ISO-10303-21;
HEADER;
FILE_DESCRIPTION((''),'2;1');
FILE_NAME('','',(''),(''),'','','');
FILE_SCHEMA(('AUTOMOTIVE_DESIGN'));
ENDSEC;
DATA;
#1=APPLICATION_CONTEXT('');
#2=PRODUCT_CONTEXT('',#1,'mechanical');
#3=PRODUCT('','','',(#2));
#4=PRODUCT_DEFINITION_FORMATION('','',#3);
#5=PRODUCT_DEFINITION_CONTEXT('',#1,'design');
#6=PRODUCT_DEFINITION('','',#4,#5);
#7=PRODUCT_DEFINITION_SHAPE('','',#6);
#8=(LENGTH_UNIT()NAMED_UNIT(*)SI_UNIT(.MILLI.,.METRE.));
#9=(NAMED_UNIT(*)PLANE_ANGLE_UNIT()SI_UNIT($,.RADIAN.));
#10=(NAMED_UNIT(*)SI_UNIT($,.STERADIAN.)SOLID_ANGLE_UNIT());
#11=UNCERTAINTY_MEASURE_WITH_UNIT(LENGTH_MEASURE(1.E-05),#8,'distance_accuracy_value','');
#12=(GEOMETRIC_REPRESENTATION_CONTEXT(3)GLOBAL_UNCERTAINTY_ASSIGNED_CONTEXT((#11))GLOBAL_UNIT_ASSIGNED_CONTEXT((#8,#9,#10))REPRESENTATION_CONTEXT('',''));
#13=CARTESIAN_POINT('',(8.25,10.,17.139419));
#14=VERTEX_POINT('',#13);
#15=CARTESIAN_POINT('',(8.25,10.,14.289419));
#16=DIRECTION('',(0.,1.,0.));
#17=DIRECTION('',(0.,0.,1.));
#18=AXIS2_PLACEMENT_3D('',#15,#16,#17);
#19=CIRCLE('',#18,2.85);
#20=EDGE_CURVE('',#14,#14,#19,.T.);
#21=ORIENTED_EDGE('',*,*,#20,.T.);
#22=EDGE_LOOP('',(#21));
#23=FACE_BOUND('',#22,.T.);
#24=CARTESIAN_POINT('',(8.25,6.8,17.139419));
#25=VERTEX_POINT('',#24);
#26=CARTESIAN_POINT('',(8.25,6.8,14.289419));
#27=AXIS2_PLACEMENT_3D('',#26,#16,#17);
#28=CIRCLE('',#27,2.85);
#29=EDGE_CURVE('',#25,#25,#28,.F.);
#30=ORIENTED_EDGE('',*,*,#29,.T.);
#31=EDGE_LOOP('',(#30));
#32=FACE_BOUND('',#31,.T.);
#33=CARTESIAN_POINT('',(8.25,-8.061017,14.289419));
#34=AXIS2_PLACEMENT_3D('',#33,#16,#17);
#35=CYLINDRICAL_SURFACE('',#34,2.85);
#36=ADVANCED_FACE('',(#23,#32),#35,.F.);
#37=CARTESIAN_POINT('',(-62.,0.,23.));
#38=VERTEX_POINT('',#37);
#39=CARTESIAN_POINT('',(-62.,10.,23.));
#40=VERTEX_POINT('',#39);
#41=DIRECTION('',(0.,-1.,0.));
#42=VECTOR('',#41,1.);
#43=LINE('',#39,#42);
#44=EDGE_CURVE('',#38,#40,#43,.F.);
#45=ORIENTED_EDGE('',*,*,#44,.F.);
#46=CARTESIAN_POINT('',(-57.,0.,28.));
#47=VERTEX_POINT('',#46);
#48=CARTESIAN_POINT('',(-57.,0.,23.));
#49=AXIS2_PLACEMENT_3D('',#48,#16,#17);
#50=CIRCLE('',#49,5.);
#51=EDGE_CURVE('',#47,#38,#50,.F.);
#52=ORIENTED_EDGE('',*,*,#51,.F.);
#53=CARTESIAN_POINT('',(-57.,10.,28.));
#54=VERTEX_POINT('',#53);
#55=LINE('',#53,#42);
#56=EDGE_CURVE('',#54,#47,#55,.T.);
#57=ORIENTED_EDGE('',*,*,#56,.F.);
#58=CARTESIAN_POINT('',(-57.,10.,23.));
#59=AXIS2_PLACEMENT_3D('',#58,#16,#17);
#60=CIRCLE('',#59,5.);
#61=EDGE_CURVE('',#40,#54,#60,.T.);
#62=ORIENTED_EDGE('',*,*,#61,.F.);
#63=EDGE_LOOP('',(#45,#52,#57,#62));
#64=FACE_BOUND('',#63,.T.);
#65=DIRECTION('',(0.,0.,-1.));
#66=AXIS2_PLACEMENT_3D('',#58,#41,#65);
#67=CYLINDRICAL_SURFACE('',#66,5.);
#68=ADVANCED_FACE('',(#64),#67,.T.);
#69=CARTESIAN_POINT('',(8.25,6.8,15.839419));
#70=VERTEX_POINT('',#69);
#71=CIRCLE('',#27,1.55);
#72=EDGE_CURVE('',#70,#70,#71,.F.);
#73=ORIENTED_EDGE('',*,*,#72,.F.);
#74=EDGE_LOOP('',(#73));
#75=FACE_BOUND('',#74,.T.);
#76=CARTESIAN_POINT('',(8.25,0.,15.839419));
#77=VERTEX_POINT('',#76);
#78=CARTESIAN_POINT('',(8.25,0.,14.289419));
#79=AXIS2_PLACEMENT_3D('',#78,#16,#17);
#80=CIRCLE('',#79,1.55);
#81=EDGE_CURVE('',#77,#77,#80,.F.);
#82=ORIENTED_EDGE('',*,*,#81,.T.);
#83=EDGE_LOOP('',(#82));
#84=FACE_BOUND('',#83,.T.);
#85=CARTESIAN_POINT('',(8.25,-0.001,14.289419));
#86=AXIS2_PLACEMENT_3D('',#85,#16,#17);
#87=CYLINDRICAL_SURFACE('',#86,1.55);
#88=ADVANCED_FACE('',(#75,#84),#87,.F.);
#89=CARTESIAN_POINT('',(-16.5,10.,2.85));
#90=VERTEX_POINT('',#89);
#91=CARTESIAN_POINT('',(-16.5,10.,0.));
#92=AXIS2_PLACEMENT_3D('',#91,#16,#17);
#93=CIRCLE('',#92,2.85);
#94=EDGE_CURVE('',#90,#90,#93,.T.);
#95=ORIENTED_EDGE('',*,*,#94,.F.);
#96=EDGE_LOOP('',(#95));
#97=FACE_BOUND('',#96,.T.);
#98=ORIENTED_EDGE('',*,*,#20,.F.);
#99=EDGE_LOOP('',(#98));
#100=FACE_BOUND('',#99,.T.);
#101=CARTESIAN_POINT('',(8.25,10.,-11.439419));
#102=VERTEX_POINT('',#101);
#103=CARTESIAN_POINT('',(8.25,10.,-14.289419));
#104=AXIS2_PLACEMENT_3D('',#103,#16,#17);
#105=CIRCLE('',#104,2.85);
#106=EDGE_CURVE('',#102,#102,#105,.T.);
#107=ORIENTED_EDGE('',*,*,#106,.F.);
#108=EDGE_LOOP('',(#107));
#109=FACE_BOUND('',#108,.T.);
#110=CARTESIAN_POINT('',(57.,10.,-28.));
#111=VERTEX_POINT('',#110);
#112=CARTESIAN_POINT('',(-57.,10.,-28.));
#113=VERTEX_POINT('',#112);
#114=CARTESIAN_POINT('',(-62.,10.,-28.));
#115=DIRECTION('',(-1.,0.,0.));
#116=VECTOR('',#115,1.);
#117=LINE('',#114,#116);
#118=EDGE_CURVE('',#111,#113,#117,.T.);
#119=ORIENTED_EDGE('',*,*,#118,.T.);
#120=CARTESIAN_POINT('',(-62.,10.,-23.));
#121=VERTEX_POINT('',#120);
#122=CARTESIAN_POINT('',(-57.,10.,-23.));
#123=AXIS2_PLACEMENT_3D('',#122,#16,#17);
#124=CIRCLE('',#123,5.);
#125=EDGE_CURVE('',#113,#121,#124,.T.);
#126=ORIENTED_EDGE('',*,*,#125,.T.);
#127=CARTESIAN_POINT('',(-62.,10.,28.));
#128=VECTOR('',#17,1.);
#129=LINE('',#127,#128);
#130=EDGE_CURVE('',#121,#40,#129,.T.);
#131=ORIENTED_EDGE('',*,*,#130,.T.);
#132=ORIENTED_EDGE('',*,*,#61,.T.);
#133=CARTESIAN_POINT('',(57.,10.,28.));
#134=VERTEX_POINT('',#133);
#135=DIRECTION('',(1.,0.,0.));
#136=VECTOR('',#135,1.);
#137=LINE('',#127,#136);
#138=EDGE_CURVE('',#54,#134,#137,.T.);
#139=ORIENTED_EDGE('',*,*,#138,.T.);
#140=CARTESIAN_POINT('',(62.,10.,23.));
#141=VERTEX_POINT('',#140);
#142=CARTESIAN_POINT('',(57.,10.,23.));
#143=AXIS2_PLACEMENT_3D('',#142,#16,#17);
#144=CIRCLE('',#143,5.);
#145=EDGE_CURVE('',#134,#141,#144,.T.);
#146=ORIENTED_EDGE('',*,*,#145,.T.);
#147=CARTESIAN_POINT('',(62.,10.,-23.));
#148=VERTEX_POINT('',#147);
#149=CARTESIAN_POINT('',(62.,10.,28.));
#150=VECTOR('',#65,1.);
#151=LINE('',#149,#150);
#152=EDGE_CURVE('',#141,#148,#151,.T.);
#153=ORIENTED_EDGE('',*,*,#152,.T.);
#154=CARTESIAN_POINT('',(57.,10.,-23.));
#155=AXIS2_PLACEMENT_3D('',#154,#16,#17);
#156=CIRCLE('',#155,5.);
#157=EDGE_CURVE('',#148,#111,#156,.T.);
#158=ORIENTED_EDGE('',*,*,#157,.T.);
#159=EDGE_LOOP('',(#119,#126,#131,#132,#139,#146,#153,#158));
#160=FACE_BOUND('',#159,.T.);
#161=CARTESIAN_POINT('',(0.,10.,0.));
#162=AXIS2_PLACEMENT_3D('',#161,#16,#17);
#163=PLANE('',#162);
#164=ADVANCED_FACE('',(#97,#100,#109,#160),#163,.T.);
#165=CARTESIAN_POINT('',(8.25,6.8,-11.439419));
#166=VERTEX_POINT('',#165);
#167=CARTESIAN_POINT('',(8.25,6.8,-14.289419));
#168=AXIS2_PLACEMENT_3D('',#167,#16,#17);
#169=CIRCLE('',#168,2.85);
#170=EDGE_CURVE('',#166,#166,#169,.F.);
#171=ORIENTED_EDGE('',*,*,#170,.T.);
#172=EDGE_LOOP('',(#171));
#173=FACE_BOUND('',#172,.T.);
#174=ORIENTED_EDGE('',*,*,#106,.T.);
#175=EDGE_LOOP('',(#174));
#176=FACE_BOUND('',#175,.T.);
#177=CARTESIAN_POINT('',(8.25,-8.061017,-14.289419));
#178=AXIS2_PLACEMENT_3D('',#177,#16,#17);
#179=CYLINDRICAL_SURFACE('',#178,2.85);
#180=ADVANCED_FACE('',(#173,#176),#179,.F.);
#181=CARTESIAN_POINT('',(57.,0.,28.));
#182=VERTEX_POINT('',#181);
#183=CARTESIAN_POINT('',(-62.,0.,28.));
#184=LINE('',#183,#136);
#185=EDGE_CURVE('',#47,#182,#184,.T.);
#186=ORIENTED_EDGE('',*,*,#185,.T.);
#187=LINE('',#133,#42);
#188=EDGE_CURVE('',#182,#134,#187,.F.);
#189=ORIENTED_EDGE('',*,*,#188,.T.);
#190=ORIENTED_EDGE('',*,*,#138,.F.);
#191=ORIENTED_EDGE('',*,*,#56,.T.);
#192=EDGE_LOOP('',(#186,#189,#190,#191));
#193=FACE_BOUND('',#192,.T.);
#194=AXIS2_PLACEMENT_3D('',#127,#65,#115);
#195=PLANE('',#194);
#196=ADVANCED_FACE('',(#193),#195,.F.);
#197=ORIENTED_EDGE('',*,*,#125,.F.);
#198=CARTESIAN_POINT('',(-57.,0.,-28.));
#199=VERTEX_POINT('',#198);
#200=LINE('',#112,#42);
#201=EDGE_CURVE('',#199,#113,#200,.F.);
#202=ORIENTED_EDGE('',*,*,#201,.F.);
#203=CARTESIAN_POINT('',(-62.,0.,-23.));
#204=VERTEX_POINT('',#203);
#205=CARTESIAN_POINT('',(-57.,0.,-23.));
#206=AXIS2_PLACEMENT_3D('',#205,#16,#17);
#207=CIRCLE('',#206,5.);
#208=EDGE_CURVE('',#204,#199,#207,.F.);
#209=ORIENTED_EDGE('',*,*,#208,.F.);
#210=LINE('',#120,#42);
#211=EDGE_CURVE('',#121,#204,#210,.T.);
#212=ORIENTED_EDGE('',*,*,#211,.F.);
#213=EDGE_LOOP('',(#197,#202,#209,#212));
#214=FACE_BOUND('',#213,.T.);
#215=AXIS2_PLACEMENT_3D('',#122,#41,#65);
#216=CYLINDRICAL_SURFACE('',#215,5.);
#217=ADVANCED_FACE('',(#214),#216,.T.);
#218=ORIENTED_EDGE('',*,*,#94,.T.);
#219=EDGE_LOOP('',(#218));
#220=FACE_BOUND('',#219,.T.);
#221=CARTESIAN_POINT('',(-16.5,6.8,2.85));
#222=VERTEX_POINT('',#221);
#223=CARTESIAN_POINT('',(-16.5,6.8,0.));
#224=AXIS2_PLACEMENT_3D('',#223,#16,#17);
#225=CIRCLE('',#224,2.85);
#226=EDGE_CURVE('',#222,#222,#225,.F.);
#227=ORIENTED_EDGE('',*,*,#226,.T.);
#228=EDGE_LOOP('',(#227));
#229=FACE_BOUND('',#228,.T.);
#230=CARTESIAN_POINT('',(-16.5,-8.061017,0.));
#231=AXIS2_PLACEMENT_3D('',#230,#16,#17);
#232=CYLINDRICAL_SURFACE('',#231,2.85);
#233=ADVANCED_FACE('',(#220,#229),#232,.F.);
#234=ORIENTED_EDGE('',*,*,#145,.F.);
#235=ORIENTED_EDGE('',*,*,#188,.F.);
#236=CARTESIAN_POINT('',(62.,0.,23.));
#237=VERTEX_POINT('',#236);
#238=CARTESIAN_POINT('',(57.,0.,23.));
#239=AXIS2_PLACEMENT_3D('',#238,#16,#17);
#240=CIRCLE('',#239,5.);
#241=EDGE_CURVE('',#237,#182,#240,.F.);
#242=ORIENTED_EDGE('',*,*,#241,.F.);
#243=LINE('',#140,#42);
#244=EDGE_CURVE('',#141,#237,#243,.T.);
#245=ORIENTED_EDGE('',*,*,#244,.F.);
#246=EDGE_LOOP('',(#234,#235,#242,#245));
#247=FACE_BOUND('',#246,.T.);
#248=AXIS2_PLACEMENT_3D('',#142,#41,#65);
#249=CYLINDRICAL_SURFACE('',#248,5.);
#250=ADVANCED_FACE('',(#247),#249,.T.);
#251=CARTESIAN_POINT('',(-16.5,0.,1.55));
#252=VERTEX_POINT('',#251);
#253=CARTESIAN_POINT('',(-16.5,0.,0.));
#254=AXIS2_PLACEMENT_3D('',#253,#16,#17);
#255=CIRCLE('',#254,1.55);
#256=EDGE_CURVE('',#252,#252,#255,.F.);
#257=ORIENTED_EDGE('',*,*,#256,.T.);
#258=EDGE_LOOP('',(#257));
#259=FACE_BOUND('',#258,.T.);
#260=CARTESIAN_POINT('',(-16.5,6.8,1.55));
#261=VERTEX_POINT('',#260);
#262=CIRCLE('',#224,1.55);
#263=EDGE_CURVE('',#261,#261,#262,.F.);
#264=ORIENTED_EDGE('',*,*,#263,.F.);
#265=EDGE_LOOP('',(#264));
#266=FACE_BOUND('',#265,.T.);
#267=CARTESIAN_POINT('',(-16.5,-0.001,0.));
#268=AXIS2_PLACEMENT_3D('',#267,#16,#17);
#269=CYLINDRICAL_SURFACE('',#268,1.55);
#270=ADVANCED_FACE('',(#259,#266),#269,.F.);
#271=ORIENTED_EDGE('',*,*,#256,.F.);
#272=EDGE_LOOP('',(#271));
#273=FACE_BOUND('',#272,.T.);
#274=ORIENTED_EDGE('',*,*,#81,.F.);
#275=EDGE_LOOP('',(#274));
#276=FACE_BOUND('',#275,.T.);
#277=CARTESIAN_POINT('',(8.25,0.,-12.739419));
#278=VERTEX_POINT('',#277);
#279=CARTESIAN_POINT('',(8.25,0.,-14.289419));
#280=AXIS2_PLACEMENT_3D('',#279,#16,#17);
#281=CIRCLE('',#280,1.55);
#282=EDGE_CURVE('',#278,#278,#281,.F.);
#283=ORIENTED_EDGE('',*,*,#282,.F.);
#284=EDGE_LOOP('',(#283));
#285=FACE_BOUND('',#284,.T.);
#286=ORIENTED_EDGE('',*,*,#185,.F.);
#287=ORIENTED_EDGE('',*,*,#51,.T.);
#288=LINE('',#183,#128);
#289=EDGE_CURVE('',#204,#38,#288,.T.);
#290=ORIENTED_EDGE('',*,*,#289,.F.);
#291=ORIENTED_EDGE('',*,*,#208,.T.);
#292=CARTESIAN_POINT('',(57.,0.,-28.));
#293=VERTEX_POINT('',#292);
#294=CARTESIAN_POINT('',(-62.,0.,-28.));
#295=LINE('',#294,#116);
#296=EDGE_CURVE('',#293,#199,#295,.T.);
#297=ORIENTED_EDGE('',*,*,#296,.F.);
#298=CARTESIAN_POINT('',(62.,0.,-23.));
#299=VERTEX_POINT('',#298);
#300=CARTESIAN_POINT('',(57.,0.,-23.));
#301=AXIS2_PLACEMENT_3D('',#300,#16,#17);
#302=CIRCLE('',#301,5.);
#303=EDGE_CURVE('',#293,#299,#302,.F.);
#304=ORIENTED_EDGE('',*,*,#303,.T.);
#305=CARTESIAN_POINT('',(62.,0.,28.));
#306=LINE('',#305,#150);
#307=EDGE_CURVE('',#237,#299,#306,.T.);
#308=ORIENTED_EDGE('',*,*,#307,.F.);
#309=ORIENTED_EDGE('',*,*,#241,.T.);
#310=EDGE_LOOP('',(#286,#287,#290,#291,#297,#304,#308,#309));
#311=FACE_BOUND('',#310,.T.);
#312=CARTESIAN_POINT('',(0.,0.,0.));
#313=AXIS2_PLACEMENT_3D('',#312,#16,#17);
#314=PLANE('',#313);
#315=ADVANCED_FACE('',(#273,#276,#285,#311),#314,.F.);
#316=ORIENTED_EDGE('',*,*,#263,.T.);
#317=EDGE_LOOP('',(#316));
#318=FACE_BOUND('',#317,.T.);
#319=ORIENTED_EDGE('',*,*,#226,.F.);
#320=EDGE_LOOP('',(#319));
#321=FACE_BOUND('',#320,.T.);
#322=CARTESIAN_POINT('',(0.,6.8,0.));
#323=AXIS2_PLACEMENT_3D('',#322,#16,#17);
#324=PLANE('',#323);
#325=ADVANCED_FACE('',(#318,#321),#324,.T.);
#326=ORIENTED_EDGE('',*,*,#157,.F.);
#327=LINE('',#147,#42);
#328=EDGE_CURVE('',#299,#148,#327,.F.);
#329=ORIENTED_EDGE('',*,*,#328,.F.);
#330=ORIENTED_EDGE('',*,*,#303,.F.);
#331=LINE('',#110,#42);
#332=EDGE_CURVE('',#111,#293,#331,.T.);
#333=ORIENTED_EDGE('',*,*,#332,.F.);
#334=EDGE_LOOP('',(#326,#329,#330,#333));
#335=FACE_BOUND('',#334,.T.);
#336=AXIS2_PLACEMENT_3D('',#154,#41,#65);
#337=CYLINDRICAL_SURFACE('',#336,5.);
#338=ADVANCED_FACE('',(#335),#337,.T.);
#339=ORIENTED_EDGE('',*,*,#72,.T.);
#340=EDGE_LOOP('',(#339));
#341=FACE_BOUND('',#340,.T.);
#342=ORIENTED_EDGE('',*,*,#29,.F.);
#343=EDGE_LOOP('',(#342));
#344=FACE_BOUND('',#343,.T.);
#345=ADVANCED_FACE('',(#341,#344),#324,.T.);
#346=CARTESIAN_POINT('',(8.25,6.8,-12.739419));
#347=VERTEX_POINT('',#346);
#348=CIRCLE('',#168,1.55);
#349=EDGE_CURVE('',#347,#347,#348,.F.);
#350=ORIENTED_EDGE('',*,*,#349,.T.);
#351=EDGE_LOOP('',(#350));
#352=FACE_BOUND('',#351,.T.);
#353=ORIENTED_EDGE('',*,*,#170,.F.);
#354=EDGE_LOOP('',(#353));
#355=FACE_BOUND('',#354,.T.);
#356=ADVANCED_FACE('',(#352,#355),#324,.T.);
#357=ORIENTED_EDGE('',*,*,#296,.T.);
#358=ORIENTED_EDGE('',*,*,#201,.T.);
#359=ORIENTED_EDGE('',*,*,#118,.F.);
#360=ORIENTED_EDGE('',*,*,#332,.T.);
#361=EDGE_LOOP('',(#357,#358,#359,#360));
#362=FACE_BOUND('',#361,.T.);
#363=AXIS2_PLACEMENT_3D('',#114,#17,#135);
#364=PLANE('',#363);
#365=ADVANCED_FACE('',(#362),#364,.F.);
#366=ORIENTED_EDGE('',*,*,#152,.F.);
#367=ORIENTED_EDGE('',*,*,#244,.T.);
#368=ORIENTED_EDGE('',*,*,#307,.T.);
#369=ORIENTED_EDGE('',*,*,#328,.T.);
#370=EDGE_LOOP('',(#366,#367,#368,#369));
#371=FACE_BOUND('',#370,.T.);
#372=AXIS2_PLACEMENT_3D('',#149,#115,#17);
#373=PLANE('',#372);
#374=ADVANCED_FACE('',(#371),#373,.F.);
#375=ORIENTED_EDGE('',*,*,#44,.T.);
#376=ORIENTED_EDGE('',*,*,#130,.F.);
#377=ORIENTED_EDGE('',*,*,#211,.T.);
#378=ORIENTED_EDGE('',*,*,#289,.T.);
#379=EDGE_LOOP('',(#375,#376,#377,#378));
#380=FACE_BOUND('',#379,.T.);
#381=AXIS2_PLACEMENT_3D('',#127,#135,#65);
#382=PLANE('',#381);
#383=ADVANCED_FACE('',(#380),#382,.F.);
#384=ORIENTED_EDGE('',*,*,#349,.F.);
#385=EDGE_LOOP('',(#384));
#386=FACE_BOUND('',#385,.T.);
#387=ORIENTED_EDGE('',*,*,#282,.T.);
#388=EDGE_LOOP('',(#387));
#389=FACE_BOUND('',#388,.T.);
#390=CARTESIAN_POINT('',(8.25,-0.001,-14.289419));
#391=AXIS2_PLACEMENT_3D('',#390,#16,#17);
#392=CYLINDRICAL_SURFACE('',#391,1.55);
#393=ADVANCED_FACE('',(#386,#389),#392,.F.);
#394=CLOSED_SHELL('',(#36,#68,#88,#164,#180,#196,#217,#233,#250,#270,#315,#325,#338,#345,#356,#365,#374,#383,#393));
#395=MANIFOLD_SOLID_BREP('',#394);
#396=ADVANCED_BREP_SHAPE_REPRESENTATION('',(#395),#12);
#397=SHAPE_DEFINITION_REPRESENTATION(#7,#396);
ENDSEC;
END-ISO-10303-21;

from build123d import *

# Parameters (mm, degrees)
SKIZZE1_W                       = 124
SKIZZE1_H                       = 56
AUFSATZ_LINEAR_AUSTRAGEN1_DEPTH = 10
VERRUNDUNG1_R                   = 5
SCHNITT_LINEAR_AUSTRAGEN1_REACH = 70.76
SKIZZE2_R                       = 1.55
SKIZZE3_R                       = 2.85
SCHNITT_LINEAR_AUSTRAGEN2_DEPTH = 3.2


with BuildPart() as part:
    # Skizze1 → Aufsatz-Linear austragen1 (new body)
    with BuildSketch(Plane(origin=(0, 0, 0), x_dir=(1, 0, 0), z_dir=(0, 1, 0))):
        Rectangle(SKIZZE1_W, SKIZZE1_H)
    extrude(amount=AUFSATZ_LINEAR_AUSTRAGEN1_DEPTH)

    # Verrundung1
    verrundung1_edges = [part.edges().sort_by_distance(p)[0] for p in [
        (62, 5, -28),
        (62, 5, 28),
        (-62, 5, 28),
        (-62, 5, -28),
    ]]
    fillet(verrundung1_edges, radius=VERRUNDUNG1_R)

    # Skizze2 → Schnitt-Linear austragen1 (cut, up to next)
    with BuildSketch(Plane(origin=(0, 10, 0), x_dir=(1, 0, 0), z_dir=(0, 1, 0)), mode=Mode.PRIVATE) as schnitt_linear_austragen1_sk1:
        with Locations(Location((-16.5, 0, 0), (0, 0, 270))):
            Circle(SKIZZE2_R)
    schnitt_linear_austragen1_tool1 = extrude(schnitt_linear_austragen1_sk1.sketch, amount=-SCHNITT_LINEAR_AUSTRAGEN1_REACH, mode=Mode.PRIVATE) & part.part
    # Skizze2 → Schnitt-Linear austragen1 (cut, up to next)
    with BuildSketch(Plane(origin=(0, 10, 0), x_dir=(1, 0, 0), z_dir=(0, 1, 0)), mode=Mode.PRIVATE) as schnitt_linear_austragen1_sk2:
        with Locations(Location((8.25, 14.289419162, 0), (0, 0, 270))):
            Circle(SKIZZE2_R)
    schnitt_linear_austragen1_tool2 = extrude(schnitt_linear_austragen1_sk2.sketch, amount=-SCHNITT_LINEAR_AUSTRAGEN1_REACH, mode=Mode.PRIVATE) & part.part
    # Skizze2 → Schnitt-Linear austragen1 (cut, up to next)
    with BuildSketch(Plane(origin=(0, 10, 0), x_dir=(1, 0, 0), z_dir=(0, 1, 0)), mode=Mode.PRIVATE) as schnitt_linear_austragen1_sk3:
        with Locations(Location((8.25, -14.289419162, 0), (0, 0, 270))):
            Circle(SKIZZE2_R)
    schnitt_linear_austragen1_tool3 = extrude(schnitt_linear_austragen1_sk3.sketch, amount=-SCHNITT_LINEAR_AUSTRAGEN1_REACH, mode=Mode.PRIVATE) & part.part
    add(schnitt_linear_austragen1_tool1.solids().sort_by_distance((-16.5, 10, 0))[0], mode=Mode.SUBTRACT)
    add(schnitt_linear_austragen1_tool2.solids().sort_by_distance((8.25, 10, -14.289419))[0], mode=Mode.SUBTRACT)
    add(schnitt_linear_austragen1_tool3.solids().sort_by_distance((8.25, 10, 14.289419))[0], mode=Mode.SUBTRACT)

    # Skizze3 → Schnitt-Linear austragen2 (cut)
    with BuildSketch(Plane(origin=(0, 10, 0), x_dir=(1, 0, 0), z_dir=(0, 1, 0))):
        with Locations(Location((8.25, 14.289419162, 0), (0, 0, 270))):
            Circle(SKIZZE3_R)
        with Locations(Location((-16.5, 0, 0), (0, 0, 270))):
            Circle(SKIZZE3_R)
        with Locations(Location((8.25, -14.289419162, 0), (0, 0, 270))):
            Circle(SKIZZE3_R)
    extrude(amount=-SCHNITT_LINEAR_AUSTRAGEN2_DEPTH, mode=Mode.SUBTRACT)


solid = part.part
